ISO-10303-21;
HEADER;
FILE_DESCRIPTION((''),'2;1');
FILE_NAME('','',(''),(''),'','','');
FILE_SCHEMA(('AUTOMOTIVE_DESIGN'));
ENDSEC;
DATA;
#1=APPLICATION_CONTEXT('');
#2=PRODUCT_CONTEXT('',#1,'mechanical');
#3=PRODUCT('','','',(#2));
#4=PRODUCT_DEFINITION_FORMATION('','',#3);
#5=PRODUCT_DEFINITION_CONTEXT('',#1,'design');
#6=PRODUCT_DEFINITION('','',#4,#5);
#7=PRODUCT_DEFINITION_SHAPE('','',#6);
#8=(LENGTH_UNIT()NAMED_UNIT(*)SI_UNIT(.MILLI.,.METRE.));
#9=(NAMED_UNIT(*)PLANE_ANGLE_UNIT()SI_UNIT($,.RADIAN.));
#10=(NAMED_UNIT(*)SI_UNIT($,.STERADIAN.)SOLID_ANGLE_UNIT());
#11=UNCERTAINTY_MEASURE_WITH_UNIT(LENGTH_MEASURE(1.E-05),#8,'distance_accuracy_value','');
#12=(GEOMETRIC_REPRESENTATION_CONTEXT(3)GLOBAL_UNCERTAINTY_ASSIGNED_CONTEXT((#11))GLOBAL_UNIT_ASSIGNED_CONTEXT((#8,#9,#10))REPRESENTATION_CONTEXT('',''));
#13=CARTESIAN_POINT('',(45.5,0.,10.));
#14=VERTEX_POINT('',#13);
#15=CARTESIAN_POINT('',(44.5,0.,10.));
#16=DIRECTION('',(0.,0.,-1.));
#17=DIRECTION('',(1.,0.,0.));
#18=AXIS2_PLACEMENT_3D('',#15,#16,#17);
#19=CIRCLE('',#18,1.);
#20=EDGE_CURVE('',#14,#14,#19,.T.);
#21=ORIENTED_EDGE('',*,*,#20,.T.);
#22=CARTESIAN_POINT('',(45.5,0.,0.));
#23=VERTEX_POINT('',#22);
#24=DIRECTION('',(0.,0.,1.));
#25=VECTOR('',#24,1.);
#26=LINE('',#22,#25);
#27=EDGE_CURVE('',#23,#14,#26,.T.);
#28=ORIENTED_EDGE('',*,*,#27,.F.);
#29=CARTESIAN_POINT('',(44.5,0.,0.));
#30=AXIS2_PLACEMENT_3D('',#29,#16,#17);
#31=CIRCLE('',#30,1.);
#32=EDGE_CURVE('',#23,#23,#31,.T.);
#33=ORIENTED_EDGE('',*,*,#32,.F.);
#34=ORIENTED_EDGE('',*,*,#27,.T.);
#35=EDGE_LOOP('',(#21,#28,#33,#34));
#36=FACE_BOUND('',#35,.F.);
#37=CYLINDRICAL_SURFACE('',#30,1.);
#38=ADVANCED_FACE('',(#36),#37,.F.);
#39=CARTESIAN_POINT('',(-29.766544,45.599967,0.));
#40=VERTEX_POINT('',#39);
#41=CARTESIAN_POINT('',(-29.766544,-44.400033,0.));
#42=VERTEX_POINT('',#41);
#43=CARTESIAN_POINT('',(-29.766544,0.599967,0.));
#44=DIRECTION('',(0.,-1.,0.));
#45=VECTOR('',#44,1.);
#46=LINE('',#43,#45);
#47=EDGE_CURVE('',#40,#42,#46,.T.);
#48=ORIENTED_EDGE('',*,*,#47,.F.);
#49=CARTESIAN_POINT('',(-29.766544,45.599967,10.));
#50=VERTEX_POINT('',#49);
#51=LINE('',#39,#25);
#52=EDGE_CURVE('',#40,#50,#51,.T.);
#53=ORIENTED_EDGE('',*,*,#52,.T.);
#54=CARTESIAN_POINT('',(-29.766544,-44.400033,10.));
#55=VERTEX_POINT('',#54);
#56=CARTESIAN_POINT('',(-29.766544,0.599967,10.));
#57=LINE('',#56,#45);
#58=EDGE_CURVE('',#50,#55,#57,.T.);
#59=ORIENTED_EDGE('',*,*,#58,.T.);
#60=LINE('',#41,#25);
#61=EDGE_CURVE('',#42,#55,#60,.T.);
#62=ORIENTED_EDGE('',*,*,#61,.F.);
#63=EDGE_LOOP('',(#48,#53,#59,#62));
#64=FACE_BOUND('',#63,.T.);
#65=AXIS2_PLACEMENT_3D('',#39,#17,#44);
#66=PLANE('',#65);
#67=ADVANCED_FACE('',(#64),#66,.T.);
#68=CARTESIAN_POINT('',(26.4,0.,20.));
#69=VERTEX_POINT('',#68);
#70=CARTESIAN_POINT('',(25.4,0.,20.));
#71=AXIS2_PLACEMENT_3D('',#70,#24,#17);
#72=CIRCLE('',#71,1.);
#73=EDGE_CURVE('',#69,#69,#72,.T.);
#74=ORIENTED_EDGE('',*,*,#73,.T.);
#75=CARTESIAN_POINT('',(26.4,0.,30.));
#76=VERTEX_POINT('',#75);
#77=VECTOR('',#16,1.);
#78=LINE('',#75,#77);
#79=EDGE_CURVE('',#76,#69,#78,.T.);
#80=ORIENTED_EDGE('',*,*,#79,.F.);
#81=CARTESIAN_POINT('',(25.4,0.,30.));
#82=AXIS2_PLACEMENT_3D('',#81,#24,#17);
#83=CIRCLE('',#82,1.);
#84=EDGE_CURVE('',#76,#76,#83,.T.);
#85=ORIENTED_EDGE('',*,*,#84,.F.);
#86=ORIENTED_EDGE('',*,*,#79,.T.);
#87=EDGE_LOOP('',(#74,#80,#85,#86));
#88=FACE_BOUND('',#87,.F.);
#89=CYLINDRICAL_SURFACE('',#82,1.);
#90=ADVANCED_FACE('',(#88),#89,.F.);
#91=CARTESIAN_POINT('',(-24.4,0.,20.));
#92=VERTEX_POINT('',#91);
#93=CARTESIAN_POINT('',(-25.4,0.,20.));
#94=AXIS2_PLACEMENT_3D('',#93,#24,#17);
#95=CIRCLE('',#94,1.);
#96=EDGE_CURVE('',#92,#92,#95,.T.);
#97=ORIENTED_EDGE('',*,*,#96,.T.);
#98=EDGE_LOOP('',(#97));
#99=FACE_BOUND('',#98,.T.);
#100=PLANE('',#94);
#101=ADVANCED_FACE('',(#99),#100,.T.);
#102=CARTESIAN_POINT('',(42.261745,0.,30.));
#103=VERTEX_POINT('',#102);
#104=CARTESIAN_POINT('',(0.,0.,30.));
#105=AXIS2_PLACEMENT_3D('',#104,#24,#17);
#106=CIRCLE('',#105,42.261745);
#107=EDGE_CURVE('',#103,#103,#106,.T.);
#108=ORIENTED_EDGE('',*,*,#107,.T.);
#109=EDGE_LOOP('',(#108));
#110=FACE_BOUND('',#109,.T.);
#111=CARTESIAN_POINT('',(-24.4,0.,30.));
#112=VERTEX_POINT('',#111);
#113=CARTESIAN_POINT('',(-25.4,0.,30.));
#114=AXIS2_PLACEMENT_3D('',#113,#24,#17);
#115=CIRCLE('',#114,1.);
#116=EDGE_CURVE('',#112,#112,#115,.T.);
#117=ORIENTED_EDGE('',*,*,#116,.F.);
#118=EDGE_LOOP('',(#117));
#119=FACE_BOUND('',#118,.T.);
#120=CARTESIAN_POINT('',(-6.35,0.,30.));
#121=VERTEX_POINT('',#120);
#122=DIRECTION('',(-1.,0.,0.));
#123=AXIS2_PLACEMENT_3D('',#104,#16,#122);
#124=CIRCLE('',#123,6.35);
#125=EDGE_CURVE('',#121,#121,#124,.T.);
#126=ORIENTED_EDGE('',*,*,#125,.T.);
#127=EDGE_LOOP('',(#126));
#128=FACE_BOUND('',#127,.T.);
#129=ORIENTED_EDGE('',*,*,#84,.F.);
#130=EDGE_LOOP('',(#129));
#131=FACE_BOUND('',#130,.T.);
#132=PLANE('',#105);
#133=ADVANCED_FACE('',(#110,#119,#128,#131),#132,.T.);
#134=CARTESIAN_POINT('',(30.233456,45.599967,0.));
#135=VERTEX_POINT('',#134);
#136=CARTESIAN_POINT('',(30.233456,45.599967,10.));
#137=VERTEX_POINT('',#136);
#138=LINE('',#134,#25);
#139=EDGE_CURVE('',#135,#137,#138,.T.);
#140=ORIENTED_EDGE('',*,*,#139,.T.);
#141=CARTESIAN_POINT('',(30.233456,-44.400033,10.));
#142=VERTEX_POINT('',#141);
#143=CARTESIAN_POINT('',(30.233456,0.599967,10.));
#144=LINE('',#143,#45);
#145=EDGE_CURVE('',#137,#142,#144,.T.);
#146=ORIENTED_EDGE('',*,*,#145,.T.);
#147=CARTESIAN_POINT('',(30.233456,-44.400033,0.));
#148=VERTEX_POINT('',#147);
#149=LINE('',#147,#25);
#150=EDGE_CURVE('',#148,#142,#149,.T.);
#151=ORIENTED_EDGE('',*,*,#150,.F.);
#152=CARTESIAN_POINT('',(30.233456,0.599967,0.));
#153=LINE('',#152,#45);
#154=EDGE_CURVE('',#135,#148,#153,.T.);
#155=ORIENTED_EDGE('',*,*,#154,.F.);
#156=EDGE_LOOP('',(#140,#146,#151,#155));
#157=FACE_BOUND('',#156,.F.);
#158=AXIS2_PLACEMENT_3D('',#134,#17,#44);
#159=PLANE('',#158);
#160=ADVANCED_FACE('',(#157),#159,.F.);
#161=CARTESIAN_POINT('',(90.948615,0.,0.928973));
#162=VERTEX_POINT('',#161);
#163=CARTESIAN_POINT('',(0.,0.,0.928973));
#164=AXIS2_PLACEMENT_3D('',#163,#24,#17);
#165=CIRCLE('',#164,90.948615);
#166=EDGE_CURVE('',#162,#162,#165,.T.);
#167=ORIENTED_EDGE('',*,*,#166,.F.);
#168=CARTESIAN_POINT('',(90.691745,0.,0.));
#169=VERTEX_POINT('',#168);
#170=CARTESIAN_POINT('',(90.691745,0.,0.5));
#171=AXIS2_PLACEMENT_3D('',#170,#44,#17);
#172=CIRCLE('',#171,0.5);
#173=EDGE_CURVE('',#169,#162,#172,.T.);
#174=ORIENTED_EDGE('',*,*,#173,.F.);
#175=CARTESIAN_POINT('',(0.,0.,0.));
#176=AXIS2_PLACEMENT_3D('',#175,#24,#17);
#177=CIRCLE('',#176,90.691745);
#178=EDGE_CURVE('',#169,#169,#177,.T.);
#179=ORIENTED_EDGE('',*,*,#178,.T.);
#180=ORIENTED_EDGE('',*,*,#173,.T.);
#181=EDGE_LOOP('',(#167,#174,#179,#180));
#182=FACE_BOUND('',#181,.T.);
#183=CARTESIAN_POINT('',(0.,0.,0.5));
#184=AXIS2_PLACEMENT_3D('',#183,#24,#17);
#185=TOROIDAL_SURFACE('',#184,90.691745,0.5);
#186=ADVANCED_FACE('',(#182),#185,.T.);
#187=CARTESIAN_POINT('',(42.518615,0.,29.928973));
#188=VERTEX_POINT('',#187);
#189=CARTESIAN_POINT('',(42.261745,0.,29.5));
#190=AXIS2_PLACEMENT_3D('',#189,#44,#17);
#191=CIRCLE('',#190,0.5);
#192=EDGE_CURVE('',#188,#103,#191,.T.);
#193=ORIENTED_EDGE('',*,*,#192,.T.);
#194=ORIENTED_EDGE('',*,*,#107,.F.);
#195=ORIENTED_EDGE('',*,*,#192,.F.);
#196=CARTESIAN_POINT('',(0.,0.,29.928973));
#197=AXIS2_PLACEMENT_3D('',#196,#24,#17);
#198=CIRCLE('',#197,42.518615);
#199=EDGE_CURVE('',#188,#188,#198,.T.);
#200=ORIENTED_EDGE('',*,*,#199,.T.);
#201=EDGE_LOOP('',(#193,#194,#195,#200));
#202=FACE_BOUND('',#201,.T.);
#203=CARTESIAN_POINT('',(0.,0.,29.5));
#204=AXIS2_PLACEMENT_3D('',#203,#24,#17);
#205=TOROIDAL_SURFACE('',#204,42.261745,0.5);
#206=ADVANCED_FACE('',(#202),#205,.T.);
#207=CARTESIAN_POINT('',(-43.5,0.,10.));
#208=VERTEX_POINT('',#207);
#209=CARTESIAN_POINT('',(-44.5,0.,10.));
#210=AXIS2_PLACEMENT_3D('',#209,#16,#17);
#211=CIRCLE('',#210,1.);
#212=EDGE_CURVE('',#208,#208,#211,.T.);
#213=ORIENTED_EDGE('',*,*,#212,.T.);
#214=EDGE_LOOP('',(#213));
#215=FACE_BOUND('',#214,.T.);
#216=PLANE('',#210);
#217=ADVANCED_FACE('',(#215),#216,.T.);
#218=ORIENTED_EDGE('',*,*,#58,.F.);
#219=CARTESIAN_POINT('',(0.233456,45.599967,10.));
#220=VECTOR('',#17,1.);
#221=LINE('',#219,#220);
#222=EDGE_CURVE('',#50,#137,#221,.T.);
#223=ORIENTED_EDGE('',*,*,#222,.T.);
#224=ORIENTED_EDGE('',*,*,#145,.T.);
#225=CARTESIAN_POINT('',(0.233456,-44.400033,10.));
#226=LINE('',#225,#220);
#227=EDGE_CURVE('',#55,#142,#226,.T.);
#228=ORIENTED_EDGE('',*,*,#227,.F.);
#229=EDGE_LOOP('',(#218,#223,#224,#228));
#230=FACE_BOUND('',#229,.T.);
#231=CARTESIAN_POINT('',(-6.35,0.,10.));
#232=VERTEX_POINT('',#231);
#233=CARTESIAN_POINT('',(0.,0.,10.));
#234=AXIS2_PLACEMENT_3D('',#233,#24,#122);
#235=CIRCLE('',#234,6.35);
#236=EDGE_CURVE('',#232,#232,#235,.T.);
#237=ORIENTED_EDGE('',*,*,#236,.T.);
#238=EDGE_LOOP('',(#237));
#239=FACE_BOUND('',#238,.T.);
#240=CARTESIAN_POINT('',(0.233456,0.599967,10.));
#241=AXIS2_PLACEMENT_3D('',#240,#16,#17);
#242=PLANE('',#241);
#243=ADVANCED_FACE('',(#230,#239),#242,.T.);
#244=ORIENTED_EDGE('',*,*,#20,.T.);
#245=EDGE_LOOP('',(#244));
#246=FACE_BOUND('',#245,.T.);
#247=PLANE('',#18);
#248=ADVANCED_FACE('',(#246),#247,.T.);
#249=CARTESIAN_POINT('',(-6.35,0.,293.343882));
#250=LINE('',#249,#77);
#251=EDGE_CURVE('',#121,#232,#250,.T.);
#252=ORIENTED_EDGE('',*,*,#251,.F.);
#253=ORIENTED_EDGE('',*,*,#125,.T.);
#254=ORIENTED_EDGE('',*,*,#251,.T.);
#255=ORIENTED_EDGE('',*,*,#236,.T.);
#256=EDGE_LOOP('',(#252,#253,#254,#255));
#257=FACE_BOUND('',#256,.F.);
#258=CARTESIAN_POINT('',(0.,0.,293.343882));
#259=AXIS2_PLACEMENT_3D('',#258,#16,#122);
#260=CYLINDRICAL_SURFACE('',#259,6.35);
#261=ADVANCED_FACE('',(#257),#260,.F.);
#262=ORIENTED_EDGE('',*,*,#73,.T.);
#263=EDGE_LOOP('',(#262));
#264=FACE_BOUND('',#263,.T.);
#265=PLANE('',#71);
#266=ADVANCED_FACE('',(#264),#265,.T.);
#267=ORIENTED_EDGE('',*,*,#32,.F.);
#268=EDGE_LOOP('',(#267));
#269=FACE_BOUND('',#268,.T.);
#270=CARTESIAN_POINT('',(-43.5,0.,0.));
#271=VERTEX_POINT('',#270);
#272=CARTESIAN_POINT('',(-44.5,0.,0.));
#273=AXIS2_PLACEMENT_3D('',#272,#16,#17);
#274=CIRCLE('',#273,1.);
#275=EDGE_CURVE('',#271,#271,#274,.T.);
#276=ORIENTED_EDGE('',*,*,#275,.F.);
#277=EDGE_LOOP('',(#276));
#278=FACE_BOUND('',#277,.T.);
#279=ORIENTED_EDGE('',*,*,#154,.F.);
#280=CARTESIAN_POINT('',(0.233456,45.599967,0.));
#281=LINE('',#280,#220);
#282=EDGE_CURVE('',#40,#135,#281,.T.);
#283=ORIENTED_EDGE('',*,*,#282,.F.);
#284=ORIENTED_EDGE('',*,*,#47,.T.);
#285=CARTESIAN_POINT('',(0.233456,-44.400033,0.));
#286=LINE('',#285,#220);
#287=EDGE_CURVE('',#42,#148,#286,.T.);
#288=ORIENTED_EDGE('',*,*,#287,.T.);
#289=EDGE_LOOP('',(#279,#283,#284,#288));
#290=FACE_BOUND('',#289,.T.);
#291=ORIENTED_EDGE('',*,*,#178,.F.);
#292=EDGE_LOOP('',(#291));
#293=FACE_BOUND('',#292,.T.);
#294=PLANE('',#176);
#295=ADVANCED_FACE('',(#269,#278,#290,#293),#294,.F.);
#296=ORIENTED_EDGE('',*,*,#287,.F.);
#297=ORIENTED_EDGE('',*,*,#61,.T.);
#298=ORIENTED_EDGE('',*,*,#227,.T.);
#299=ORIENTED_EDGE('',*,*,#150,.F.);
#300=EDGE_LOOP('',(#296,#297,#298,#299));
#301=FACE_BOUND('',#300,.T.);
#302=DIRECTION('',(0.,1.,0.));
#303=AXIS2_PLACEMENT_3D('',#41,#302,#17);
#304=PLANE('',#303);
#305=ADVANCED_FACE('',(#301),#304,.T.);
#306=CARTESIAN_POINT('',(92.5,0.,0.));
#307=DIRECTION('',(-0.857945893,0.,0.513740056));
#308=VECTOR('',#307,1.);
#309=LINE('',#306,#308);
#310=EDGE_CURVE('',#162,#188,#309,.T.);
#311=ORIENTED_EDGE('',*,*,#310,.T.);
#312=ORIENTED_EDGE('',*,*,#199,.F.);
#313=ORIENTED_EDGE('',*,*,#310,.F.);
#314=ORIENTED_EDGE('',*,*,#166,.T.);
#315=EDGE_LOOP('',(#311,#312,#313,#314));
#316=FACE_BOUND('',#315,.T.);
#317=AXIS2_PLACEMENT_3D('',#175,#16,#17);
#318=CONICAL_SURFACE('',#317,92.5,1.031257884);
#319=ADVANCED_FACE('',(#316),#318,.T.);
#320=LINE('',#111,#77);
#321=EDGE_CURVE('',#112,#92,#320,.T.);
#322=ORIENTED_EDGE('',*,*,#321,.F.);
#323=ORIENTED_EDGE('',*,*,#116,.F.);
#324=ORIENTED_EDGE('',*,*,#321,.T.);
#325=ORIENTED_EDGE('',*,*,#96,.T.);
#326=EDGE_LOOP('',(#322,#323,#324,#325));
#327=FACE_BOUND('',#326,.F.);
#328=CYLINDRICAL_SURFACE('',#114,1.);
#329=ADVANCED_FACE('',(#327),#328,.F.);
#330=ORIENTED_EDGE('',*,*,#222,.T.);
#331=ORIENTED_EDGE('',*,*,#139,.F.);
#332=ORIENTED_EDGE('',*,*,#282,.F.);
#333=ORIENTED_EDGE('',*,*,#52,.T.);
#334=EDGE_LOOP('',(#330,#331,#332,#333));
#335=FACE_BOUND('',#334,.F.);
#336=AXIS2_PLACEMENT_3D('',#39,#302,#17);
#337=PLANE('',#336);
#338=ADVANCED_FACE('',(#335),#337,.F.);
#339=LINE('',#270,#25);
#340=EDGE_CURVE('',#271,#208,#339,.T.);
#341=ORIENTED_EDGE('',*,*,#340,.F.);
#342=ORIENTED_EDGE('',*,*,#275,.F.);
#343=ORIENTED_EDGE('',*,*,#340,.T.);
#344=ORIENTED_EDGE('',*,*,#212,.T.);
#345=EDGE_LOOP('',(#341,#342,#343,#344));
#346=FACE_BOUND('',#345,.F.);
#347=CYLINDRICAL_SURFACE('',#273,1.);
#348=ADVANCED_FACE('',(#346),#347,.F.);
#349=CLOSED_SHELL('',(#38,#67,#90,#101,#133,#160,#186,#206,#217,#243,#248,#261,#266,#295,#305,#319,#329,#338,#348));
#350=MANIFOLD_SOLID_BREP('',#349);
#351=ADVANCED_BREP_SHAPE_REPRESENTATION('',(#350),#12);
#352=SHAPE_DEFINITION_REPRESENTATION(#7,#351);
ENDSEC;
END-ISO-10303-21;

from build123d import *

# Parameters (mm, degrees)
F3_D     = 12.7
F4_W     = 60
F4_H     = 90
F4_R     = 6.35
F5_DEPTH = 10
F6_R     = 1
F7_DEPTH = 10
F8_R     = 1
F9_DEPTH = 10
F10_R    = 0.5


with BuildPart() as f1:
    # F0 (on Front) → F1 (revolve)
    with BuildSketch(Plane.XZ):
        Polygon((0, 30), (0, 0), (92.5, 0), (42.4, 30), align=None)
    revolve(axis=Axis((0, 0, 15), (0, 0, 1)))

    # F3 (through all)
    with Locations(Plane.XY.offset(30)):
        with Locations((0, 0)):
            Hole(F3_D / 2)

    # F4 (on face) → F5 (cut)
    with BuildSketch(Plane(origin=(0, 0, 0), x_dir=(1, 0, 0), z_dir=(0, 0, -1))):
        with Locations((0.233456, -0.599967)):
            Rectangle(F4_W, F4_H)
        Circle(F4_R, mode=Mode.SUBTRACT)
    extrude(amount=-F5_DEPTH, mode=Mode.SUBTRACT)

    # F6 (on face) → F7 (cut)
    with BuildSketch(Plane(origin=(0, 0, 0), x_dir=(1, 0, 0), z_dir=(0, 0, -1))):
        with Locations((-44.5, 0)):
            Circle(F6_R)
        with Locations((44.5, 0)):
            Circle(F6_R)
    extrude(amount=-F7_DEPTH, mode=Mode.SUBTRACT)

    # F8 (on face) → F9 (cut)
    with BuildSketch(Plane.XY.offset(30)):
        with Locations((-25.4, 0)):
            Circle(F8_R)
        with Locations((25.4, 0)):
            Circle(F8_R)
    extrude(amount=-F9_DEPTH, mode=Mode.SUBTRACT)

    # F10
    f10_edges = [f1.edges().sort_by_distance(p)[0] for p in [
        (-92.5, 0, 0),
        (-42.4, 0, 30),
    ]]
    fillet(f10_edges, radius=F10_R)


solid = f1.part
